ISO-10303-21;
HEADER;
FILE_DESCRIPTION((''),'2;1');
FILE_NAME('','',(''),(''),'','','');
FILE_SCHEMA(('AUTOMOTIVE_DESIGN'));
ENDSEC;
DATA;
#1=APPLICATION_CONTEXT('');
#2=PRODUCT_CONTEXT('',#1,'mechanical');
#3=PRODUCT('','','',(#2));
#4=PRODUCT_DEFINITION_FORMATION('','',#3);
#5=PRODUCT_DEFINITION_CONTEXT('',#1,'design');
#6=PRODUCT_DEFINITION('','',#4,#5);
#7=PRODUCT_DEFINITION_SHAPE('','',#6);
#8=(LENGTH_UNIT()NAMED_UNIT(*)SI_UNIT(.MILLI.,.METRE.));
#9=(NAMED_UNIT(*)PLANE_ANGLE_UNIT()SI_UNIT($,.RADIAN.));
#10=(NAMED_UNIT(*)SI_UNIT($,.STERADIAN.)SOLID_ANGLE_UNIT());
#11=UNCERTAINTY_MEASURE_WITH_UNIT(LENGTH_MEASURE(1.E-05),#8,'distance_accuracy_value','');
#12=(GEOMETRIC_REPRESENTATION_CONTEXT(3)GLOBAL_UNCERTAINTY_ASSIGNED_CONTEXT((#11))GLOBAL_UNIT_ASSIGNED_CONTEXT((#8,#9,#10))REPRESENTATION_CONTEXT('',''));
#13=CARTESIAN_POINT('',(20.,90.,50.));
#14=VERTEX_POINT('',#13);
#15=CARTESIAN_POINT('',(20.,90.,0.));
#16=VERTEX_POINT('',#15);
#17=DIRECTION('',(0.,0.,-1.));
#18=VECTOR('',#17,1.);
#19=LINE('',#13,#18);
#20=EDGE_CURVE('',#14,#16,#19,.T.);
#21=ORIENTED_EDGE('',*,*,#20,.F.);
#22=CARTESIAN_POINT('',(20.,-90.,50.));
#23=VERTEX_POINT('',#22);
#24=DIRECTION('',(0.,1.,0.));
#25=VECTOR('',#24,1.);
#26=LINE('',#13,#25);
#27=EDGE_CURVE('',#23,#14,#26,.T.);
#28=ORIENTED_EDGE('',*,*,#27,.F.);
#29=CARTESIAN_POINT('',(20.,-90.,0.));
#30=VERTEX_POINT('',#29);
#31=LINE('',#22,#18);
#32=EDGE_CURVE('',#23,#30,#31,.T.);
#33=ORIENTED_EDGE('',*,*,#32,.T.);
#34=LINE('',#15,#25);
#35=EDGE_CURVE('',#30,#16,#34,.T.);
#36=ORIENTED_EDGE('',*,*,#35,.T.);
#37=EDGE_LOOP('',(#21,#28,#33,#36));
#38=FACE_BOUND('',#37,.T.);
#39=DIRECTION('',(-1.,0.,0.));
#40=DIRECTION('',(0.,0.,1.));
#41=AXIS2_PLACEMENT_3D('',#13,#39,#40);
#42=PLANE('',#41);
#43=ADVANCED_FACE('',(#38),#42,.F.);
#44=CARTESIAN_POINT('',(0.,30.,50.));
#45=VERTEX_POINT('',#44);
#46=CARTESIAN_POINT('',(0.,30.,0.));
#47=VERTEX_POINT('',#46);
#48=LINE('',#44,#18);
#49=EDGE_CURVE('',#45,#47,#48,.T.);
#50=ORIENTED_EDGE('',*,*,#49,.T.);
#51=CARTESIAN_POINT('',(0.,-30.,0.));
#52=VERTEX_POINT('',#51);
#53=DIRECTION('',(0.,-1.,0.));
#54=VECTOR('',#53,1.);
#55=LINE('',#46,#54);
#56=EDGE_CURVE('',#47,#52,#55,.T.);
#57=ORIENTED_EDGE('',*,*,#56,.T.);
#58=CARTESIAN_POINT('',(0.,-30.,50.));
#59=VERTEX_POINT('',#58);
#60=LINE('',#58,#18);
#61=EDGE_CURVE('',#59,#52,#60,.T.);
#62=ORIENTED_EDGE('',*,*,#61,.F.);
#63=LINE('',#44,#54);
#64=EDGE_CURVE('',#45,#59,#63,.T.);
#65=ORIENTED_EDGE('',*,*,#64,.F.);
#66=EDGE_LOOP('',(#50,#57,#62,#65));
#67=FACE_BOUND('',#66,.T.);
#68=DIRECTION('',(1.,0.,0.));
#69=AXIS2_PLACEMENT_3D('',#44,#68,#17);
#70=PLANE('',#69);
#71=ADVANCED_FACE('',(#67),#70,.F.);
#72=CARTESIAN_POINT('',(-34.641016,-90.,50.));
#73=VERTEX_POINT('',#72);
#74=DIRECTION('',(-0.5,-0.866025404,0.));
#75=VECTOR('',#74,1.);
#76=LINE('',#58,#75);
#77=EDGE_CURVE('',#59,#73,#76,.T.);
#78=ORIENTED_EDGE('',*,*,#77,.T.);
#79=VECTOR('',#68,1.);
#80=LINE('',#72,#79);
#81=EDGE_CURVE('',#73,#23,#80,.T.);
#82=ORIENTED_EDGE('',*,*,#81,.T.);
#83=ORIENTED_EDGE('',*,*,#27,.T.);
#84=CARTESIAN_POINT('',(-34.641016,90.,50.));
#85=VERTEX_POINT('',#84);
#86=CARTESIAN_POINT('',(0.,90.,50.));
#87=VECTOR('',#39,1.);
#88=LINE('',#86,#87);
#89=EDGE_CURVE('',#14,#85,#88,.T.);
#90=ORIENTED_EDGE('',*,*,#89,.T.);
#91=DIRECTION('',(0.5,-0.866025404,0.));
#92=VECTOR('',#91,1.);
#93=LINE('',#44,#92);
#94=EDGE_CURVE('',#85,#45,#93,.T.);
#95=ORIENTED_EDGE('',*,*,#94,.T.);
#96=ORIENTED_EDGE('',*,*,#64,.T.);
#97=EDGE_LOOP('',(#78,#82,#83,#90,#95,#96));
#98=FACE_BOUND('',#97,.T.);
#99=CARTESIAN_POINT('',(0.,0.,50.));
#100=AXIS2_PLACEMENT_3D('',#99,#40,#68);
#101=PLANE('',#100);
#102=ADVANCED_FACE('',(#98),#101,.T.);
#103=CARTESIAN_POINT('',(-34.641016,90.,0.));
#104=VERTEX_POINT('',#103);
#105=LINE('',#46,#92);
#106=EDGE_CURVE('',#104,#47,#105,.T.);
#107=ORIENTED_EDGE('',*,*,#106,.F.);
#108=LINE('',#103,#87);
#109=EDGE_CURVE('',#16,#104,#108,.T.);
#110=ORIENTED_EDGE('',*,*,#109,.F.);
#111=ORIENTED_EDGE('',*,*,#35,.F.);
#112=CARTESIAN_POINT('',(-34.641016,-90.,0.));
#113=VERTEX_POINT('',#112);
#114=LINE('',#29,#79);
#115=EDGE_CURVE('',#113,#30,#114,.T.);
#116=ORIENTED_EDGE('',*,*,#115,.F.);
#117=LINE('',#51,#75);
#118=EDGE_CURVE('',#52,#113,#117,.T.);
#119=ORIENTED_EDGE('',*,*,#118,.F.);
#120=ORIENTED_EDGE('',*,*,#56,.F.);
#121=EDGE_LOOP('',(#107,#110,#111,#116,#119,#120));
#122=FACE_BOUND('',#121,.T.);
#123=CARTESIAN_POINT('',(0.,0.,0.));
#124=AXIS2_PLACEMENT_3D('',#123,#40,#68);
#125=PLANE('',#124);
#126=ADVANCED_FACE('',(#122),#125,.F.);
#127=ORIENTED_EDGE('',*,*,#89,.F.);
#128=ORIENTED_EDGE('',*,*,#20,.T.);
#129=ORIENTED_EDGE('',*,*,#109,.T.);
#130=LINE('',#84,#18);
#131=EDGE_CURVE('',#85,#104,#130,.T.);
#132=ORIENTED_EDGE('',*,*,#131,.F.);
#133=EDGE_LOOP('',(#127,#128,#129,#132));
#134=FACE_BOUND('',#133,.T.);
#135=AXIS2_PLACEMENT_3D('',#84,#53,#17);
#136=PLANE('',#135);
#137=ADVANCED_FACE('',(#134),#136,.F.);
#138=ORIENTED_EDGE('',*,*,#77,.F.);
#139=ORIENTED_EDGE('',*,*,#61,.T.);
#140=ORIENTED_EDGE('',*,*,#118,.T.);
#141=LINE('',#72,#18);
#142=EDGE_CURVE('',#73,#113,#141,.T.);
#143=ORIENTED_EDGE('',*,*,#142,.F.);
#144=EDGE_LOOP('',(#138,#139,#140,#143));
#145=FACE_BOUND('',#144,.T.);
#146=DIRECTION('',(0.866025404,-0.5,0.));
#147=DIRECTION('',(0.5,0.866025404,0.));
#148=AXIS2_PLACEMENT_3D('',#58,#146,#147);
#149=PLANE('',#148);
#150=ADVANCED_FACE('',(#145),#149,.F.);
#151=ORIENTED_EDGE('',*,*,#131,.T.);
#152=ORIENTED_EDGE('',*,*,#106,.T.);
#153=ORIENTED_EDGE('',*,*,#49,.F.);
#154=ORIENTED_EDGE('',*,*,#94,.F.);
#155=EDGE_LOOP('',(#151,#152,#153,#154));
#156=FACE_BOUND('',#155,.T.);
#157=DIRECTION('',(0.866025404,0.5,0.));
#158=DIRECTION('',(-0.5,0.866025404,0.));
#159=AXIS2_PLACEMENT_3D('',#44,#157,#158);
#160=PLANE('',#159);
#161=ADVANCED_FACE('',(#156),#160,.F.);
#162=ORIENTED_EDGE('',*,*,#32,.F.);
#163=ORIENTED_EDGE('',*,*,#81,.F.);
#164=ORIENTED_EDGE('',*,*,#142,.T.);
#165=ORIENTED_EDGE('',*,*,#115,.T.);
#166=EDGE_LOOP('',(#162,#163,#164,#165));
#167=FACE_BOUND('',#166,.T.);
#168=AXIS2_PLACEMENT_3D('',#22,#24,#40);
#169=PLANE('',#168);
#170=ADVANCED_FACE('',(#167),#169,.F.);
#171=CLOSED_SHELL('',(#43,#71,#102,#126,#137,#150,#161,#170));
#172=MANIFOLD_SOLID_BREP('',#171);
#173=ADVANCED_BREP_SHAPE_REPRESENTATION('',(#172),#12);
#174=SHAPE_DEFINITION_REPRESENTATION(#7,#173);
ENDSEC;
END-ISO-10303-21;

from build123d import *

# Parameters (mm, degrees)
BOSS_EXTRUDE1_DEPTH = 50


with BuildPart() as part:
    # Sketch1 → Boss-Extrude1 (new body)
    with BuildSketch(Plane.XY):
        Polygon((0, 30), (0, -30), (-34.641016151, -90), (0, -90), (20, -90), (20, 90), (0, 90), (-34.641016151, 90), align=None)
    extrude(amount=BOSS_EXTRUDE1_DEPTH)


solid = part.part
